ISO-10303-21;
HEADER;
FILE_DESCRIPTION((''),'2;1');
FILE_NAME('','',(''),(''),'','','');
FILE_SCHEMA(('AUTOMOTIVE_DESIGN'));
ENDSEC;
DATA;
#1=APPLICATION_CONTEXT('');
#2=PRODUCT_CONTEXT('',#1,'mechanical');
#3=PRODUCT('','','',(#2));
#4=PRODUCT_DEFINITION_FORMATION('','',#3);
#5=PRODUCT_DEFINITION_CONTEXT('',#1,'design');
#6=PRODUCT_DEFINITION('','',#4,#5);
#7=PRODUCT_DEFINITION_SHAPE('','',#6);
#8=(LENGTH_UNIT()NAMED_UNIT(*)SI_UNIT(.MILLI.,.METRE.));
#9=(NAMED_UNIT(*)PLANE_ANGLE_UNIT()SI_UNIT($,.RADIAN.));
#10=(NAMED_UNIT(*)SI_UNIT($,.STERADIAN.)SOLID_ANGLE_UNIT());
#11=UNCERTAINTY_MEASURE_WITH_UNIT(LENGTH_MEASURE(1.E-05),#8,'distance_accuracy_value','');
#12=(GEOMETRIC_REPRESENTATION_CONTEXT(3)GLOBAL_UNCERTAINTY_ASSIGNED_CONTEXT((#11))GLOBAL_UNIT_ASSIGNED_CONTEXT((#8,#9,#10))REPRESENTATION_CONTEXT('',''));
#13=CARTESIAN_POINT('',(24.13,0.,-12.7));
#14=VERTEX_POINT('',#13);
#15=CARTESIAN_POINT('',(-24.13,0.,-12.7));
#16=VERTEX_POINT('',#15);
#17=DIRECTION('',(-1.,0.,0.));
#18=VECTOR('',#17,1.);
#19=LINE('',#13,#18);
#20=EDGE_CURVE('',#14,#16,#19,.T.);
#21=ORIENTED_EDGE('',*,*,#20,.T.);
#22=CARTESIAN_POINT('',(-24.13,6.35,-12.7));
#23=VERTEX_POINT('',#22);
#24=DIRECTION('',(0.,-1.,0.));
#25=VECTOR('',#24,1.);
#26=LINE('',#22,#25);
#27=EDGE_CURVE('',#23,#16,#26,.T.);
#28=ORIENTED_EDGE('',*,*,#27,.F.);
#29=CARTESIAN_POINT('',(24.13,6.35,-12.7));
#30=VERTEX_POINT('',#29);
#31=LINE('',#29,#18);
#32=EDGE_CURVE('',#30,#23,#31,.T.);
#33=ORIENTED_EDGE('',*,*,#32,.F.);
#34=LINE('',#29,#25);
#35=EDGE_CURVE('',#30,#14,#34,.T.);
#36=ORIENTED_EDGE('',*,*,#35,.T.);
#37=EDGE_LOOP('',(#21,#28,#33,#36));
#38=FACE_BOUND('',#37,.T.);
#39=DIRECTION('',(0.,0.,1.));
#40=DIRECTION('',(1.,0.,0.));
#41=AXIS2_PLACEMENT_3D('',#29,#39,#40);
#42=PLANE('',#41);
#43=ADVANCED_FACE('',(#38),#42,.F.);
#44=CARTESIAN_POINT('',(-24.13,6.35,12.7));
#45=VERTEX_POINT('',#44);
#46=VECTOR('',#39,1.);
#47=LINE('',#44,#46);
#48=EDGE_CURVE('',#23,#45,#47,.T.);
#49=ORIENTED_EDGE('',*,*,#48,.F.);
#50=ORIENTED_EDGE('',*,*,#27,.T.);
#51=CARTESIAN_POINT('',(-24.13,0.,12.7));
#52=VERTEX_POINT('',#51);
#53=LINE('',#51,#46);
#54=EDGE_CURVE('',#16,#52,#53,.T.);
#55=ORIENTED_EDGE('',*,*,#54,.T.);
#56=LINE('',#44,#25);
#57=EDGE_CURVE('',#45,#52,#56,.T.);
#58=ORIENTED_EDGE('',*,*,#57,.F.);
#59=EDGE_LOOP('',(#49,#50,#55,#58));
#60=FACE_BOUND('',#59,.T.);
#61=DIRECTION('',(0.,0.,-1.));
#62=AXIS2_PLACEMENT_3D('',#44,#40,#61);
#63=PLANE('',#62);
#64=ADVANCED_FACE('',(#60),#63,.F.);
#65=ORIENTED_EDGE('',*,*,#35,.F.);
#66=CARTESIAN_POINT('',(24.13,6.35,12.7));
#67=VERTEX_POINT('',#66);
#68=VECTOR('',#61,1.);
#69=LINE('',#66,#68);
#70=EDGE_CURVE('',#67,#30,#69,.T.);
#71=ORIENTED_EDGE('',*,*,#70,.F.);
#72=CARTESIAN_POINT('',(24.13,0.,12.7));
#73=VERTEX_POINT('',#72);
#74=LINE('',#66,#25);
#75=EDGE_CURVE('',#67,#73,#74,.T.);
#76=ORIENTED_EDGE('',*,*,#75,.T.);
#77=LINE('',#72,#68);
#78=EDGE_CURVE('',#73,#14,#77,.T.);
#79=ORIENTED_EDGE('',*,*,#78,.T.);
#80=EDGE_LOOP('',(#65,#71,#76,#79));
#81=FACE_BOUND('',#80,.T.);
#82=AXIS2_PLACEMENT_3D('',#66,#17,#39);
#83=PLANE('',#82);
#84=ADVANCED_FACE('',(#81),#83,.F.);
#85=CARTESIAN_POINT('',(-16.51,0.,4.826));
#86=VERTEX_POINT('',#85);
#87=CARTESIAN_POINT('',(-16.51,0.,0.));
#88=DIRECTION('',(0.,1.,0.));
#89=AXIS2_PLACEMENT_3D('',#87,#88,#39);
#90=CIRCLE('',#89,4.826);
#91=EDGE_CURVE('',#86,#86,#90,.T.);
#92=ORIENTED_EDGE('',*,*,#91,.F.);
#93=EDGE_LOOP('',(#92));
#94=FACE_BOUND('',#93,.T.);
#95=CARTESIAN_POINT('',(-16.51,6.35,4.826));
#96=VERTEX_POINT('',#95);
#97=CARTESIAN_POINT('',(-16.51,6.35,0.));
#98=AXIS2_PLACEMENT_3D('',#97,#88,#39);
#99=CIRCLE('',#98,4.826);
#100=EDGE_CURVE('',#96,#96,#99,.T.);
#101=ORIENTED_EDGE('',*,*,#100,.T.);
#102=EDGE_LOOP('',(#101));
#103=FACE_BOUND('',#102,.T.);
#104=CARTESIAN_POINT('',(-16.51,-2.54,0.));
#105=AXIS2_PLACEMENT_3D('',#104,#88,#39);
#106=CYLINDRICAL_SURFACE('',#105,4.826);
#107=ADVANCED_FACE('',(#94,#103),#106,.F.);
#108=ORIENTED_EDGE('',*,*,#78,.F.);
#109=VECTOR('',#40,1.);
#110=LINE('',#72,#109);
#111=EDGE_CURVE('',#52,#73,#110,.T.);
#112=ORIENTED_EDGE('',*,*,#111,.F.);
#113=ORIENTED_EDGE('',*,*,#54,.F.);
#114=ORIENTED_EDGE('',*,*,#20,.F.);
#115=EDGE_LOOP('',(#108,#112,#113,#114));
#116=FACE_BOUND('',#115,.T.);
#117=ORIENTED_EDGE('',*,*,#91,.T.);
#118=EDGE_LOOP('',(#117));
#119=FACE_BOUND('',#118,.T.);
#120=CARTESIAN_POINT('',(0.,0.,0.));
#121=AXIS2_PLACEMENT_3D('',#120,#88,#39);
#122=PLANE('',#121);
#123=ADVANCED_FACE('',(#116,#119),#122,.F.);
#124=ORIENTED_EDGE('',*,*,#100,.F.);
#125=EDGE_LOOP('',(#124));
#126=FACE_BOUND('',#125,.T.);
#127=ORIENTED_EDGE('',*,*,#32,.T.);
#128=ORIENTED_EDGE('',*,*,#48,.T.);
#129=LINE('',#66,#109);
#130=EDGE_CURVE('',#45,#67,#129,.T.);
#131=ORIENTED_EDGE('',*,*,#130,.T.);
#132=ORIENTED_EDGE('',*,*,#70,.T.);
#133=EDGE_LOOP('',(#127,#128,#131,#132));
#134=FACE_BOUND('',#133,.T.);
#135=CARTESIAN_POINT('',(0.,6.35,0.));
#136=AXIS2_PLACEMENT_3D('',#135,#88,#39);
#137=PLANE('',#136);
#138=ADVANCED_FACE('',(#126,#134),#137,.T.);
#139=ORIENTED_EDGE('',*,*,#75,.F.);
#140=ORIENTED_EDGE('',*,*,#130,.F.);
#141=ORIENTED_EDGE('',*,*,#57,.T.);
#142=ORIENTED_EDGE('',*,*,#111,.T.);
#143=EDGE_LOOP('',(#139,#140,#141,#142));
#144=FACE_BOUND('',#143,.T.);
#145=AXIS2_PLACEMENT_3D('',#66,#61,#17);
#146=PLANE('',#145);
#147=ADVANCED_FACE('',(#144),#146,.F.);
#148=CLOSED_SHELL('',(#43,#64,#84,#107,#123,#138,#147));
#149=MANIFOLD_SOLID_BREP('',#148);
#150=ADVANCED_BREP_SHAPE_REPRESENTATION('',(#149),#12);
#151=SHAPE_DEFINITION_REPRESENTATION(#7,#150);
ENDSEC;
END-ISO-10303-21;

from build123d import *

# Parameters (mm, degrees)
SKETCH1_W           = 48.26
SKETCH1_H           = 25.4
BOSS_EXTRUDE1_DEPTH = 6.35
SKETCH2_R           = 4.826
CUT_EXTRUDE1_DEPTH  = 8.89


with BuildPart() as part:
    # Sketch1 → Boss-Extrude1 (new body)
    with BuildSketch(Plane(origin=(0, 0, 0), x_dir=(1, 0, 0), z_dir=(0, 1, 0))):
        Rectangle(SKETCH1_W, SKETCH1_H)
    extrude(amount=BOSS_EXTRUDE1_DEPTH)

    # Sketch2 → Cut-Extrude1 (cut)
    with BuildSketch(Plane(origin=(0, 6.35, 0), x_dir=(1, 0, 0), z_dir=(0, 1, 0))):
        with Locations((-16.51, 0)):
            Circle(SKETCH2_R)
    extrude(amount=-CUT_EXTRUDE1_DEPTH, mode=Mode.SUBTRACT)


solid = part.part
